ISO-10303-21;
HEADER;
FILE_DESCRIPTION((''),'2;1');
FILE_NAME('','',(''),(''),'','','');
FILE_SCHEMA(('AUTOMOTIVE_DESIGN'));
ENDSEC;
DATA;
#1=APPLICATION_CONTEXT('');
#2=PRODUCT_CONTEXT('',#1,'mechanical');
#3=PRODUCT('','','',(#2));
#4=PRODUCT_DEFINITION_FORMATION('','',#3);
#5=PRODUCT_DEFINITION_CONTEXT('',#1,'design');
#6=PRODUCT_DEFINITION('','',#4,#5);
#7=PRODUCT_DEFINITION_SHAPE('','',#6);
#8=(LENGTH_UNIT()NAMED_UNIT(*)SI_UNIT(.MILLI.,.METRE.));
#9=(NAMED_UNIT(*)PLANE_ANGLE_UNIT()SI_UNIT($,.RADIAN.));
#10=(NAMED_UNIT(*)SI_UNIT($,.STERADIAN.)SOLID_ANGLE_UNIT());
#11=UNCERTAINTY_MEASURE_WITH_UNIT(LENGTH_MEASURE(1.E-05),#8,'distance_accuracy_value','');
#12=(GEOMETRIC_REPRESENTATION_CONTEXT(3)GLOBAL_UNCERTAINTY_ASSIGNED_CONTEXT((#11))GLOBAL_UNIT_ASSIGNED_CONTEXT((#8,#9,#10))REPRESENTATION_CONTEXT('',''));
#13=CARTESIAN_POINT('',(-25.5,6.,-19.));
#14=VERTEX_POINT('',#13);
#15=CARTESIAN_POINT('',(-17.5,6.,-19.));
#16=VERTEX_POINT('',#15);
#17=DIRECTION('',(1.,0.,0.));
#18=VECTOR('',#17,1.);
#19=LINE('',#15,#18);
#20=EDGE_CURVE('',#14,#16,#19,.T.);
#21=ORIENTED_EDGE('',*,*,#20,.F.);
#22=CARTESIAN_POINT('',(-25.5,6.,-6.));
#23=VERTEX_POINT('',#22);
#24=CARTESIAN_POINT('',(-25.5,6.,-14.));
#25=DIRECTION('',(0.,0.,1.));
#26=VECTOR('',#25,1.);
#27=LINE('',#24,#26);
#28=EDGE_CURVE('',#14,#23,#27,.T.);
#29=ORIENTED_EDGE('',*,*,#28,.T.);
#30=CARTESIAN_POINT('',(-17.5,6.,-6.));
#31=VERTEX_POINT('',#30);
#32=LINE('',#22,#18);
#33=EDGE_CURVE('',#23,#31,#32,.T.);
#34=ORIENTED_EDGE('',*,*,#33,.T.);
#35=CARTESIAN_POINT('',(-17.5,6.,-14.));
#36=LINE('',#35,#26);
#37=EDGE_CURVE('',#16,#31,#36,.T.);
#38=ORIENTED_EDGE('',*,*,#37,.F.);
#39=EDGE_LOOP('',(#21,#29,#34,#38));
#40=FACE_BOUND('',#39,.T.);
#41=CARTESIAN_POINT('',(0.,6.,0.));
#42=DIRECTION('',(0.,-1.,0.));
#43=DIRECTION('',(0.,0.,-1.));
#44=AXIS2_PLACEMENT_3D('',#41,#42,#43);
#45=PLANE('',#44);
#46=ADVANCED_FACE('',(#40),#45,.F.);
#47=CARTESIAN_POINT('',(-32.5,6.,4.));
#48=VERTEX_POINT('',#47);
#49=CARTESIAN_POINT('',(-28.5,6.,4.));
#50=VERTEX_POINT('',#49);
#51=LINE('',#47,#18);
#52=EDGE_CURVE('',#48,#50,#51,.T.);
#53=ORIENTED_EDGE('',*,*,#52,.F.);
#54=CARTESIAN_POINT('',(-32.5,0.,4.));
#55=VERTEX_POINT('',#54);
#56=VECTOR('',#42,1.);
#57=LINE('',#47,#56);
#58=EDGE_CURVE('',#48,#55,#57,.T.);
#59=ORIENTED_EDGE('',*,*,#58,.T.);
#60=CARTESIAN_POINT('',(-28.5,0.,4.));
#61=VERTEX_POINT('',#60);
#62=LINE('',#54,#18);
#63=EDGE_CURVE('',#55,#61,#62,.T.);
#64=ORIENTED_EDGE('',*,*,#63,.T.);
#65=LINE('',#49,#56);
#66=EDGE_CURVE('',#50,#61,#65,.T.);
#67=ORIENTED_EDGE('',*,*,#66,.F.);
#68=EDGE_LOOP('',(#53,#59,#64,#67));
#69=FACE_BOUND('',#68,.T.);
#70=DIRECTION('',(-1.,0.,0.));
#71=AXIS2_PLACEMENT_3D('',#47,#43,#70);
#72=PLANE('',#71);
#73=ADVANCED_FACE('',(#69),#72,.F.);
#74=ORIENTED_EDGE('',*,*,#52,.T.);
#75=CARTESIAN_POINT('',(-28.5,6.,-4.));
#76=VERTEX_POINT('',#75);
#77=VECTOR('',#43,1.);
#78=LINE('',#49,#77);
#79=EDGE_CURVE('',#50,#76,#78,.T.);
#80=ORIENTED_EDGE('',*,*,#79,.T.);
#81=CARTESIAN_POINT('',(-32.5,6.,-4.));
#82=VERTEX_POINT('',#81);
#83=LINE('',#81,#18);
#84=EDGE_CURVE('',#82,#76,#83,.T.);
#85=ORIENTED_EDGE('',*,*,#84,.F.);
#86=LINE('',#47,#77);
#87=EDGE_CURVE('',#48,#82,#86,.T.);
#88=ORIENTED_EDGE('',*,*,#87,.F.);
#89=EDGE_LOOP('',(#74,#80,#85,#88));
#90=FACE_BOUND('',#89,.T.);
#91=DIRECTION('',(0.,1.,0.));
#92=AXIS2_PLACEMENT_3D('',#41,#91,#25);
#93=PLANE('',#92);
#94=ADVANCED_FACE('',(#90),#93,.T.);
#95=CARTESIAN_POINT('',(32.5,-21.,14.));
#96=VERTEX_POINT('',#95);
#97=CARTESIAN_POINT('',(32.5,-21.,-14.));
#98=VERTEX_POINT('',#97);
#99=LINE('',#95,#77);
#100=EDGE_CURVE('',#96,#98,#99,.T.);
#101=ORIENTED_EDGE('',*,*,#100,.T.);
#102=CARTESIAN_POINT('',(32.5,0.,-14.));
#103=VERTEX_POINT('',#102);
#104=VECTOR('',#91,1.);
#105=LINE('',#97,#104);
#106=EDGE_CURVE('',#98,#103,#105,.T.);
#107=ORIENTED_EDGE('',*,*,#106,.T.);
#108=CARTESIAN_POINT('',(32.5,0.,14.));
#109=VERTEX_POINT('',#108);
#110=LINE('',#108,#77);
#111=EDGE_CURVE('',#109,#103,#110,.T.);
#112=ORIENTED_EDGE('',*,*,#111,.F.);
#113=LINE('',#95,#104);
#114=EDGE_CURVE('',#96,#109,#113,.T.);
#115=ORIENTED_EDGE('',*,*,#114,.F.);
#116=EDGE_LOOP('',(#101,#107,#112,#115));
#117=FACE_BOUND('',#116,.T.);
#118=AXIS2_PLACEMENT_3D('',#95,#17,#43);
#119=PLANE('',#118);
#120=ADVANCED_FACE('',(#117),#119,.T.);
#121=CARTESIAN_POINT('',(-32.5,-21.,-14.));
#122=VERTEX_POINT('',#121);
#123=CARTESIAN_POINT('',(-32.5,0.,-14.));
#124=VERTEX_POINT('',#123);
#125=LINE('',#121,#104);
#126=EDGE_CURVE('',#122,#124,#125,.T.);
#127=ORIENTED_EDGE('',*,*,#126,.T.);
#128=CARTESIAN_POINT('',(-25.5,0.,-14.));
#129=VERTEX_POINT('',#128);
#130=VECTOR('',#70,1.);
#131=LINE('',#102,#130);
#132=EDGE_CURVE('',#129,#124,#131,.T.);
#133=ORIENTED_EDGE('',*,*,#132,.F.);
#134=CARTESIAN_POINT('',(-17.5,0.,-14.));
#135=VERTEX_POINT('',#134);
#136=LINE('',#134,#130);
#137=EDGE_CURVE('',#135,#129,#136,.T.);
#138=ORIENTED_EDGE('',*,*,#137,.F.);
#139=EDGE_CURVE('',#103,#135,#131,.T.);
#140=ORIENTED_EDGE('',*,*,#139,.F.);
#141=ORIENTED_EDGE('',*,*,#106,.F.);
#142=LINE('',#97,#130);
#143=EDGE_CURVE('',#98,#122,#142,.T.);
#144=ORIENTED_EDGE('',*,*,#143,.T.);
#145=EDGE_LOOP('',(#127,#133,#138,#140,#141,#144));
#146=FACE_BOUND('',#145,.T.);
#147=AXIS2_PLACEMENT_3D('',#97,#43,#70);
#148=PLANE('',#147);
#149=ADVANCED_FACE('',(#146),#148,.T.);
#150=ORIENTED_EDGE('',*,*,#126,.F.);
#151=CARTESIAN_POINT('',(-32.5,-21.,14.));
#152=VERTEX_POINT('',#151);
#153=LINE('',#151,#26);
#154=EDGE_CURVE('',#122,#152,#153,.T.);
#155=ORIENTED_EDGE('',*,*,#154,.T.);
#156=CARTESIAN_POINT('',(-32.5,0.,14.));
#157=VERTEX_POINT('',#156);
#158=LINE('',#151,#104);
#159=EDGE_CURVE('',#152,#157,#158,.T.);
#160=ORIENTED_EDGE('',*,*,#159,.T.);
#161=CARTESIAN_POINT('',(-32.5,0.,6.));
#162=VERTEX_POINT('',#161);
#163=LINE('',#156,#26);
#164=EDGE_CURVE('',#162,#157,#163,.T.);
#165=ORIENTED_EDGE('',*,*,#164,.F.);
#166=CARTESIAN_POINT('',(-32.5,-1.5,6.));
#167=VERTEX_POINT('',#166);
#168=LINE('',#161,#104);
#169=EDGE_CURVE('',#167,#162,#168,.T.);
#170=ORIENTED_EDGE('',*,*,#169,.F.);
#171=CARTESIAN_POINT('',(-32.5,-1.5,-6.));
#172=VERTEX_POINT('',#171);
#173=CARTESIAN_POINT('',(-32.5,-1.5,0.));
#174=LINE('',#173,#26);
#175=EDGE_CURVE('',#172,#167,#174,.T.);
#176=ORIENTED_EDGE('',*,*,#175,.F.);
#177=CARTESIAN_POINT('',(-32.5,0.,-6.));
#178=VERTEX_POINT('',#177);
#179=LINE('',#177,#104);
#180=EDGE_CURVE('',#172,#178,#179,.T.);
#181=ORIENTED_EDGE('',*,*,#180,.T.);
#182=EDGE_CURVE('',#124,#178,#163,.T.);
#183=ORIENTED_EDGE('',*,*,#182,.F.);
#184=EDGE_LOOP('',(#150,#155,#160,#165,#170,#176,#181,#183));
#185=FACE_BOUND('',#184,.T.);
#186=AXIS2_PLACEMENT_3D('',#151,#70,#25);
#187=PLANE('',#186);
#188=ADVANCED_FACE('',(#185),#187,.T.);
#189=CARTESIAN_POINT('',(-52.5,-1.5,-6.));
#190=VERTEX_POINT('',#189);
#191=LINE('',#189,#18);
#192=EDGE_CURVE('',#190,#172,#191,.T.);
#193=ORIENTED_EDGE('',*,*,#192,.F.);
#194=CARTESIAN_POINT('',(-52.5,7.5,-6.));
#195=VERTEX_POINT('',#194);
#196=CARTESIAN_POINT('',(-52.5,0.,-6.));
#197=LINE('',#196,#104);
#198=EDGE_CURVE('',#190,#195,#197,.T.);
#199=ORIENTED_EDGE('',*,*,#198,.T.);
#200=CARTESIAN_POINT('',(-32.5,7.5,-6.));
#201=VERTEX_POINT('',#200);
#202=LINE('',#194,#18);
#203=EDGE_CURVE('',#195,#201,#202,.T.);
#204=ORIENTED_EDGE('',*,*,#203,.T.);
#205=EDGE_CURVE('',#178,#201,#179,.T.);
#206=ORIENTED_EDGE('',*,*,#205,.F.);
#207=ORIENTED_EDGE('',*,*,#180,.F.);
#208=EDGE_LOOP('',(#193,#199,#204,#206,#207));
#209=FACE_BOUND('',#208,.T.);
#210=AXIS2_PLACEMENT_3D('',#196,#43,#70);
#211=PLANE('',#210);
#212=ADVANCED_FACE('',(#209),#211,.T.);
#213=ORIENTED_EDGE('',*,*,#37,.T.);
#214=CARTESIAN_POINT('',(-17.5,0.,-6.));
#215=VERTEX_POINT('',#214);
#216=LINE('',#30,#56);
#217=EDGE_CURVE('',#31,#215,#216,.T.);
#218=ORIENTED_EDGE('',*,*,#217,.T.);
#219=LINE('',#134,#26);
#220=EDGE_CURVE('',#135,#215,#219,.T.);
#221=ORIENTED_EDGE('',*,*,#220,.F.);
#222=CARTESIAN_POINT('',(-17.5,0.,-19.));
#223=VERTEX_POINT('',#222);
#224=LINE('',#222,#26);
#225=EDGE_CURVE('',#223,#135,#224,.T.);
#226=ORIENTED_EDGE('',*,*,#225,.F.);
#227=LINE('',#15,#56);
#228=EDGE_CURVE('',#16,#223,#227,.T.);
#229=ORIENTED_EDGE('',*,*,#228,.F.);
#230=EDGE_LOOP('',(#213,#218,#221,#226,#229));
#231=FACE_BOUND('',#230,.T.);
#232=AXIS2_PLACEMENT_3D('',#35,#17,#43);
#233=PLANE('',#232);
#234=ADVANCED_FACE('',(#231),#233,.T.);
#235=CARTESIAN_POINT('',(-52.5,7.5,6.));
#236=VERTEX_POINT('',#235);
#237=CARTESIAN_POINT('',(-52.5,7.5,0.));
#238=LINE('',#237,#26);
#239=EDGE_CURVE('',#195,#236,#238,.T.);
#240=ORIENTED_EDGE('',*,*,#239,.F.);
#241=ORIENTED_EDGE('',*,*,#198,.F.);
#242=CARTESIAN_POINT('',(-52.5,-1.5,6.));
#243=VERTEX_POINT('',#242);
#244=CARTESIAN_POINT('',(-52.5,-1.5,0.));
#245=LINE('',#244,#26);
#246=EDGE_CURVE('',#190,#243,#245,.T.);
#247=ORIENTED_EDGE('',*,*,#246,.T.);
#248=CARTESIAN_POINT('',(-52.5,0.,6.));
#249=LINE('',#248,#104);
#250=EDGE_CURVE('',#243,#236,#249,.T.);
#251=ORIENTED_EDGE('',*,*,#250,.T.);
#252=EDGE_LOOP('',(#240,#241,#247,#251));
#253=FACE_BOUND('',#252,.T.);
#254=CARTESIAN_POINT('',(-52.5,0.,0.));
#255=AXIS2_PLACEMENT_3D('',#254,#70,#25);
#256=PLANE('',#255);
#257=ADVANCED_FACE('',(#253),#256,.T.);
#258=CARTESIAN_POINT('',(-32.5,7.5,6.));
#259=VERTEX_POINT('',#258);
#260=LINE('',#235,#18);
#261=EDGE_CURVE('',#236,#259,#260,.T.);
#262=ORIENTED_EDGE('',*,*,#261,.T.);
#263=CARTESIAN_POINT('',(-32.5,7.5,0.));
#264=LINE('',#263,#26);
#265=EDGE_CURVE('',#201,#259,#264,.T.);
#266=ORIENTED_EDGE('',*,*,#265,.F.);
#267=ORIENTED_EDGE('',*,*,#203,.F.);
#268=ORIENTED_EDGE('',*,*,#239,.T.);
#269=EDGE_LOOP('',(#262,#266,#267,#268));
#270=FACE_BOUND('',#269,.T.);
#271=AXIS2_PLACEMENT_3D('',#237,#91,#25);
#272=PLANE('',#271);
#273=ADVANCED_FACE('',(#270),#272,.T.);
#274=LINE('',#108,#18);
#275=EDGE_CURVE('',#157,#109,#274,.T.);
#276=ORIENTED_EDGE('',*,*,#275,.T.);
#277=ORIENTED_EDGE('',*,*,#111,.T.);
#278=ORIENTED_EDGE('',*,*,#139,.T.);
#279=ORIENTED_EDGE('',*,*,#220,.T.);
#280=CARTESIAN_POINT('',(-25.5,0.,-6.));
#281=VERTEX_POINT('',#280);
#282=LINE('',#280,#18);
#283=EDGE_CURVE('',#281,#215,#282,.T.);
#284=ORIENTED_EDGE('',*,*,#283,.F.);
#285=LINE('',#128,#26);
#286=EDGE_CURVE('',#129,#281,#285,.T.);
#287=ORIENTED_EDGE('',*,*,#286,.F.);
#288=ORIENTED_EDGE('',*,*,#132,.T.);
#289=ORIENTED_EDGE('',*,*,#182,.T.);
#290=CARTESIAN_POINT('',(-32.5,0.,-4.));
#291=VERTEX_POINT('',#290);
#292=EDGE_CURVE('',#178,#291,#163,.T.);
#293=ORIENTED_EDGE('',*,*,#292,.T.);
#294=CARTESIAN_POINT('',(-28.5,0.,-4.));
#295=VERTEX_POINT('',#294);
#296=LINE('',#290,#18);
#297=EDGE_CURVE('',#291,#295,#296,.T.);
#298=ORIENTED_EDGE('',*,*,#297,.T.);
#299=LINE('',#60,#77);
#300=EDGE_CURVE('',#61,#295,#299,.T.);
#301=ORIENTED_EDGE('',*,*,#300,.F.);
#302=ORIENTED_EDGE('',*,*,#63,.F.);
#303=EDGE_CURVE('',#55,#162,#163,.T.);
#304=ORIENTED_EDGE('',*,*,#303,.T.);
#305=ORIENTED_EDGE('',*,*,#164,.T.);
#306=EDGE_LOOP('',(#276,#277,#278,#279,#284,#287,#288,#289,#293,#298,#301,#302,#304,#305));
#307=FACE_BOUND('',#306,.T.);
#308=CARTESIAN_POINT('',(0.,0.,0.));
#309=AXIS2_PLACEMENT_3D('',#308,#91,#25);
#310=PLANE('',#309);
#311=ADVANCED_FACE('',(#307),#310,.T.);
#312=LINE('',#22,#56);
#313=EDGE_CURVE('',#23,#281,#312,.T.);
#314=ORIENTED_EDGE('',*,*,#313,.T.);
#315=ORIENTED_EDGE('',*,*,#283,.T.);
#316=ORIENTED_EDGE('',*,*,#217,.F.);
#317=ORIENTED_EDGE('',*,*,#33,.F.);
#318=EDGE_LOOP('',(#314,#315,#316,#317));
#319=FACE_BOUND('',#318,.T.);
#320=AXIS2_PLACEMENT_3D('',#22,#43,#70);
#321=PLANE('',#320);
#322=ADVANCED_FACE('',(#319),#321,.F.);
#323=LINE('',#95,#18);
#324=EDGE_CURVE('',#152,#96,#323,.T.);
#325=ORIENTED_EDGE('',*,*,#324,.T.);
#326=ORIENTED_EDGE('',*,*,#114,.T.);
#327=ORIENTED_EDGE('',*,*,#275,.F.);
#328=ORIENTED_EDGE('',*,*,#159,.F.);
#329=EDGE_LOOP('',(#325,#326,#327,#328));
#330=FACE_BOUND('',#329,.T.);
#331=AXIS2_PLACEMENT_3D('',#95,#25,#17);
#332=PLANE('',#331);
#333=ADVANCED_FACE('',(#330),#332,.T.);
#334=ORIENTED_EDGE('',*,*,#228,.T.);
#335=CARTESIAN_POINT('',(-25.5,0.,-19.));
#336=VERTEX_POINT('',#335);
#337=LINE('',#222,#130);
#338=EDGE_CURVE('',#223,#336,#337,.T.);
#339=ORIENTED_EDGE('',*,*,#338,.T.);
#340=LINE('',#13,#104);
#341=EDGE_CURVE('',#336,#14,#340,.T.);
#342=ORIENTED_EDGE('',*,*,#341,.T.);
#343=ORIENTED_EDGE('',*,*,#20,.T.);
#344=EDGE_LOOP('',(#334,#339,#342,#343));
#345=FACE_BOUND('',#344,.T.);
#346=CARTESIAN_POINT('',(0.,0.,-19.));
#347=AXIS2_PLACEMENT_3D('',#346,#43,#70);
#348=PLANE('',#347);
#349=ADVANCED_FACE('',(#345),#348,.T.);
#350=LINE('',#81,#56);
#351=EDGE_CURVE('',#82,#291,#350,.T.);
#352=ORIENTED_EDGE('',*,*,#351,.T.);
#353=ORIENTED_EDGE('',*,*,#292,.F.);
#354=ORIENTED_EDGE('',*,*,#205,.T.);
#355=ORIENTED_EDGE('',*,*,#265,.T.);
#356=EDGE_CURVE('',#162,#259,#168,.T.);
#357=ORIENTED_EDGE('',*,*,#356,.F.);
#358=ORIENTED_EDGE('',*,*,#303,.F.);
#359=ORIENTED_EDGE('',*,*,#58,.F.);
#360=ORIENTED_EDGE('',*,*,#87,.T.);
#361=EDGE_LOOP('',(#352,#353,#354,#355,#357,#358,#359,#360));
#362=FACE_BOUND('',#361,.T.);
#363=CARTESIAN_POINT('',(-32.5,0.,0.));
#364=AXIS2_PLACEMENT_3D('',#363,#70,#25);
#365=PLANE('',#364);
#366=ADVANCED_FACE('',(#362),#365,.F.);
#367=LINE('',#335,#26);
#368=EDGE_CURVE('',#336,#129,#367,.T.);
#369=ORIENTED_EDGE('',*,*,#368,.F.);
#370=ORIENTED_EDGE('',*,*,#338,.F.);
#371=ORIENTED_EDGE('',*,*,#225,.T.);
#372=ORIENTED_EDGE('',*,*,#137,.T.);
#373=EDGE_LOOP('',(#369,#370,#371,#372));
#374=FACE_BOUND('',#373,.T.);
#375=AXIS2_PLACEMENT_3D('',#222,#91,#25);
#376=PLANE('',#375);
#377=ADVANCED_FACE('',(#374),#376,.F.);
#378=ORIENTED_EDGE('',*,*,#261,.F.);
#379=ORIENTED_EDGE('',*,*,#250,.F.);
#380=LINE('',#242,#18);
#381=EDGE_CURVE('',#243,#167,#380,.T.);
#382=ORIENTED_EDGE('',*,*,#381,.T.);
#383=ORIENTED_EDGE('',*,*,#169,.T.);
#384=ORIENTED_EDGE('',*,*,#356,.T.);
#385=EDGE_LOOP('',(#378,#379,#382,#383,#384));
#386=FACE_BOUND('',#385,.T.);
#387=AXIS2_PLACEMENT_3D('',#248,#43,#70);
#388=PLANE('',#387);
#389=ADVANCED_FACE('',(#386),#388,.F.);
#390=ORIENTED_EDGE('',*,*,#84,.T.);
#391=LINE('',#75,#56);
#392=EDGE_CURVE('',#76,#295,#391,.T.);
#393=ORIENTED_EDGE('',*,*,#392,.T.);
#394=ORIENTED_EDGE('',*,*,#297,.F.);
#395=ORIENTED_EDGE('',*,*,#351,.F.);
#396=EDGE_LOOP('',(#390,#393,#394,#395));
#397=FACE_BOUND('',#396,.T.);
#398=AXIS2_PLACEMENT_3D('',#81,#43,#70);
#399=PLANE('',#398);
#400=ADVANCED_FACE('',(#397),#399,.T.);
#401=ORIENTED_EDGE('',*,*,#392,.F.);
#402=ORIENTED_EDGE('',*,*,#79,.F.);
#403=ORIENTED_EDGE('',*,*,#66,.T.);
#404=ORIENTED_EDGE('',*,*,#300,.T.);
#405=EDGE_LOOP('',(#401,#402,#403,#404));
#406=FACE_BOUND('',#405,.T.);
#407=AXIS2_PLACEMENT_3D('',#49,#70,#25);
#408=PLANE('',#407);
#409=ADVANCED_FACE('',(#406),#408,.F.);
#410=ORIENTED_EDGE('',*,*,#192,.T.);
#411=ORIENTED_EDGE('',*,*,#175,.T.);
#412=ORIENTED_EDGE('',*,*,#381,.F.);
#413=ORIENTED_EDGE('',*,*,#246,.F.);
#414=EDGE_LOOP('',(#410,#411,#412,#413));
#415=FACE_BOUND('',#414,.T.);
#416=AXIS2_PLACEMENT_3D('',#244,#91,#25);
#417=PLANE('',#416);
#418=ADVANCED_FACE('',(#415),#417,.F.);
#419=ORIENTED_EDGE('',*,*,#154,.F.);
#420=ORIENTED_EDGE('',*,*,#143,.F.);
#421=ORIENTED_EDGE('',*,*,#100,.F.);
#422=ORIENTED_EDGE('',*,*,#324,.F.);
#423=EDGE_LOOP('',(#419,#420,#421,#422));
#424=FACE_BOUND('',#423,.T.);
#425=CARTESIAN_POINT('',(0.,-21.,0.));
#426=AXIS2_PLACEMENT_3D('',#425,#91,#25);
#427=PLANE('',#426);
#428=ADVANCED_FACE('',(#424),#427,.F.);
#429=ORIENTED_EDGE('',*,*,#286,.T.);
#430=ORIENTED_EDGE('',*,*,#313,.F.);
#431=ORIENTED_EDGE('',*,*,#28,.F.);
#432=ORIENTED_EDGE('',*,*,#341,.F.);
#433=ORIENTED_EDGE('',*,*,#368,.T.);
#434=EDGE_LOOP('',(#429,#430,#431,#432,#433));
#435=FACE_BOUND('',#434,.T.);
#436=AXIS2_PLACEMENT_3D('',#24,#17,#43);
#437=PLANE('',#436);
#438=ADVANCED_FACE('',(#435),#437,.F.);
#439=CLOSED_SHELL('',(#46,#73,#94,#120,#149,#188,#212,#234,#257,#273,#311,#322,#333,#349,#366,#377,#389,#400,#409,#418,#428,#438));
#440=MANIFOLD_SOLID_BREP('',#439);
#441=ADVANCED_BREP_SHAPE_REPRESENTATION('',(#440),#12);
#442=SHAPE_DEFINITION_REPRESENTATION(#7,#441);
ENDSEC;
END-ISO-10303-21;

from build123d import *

# Parameters (mm, degrees)
SKETCH1_W           = 65
SKETCH1_H           = 28
BOSS_EXTRUDE1_DEPTH = 21
SKETCH3_W           = 4
SKETCH3_H           = 8
BOSS_EXTRUDE2_DEPTH = 6
SKETCH3_3_W         = 8
SKETCH3_3_H         = 8
BOSS_EXTRUDE3_DEPTH = 6
SKETCH4_W           = 12
SKETCH4_H           = 9
BOSS_EXTRUDE4_DEPTH = 20
SKETCH5_W           = 8
SKETCH5_H           = 6
BOSS_EXTRUDE5_DEPTH = 5


with BuildPart() as part:
    # Sketch1 → Boss-Extrude1 (new body)
    with BuildSketch(Plane(origin=(0, 0, 0), x_dir=(1, 0, 0), z_dir=(0, 1, 0))):
        Rectangle(SKETCH1_W, SKETCH1_H)
    extrude(amount=-BOSS_EXTRUDE1_DEPTH)

    # Sketch3 → Boss-Extrude2 (add)
    with BuildSketch(Plane(origin=(0, 0, 0), x_dir=(1, 0, 0), z_dir=(0, 1, 0))):
        with Locations((-30.5, 0)):
            Rectangle(SKETCH3_W, SKETCH3_H)
    extrude(amount=BOSS_EXTRUDE2_DEPTH)

    # Sketch3<3> → Boss-Extrude3 (add)
    with BuildSketch(Plane(origin=(0, 0, 0), x_dir=(1, 0, 0), z_dir=(0, 1, 0))):
        with Locations((-21.5, 10)):
            Rectangle(SKETCH3_3_W, SKETCH3_3_H)
    extrude(amount=BOSS_EXTRUDE3_DEPTH)

    # Sketch4 → Boss-Extrude4 (add)
    with BuildSketch(Plane.ZY.offset(32.5)):
        with Locations((0, 3)):
            Rectangle(SKETCH4_W, SKETCH4_H)
    extrude(amount=BOSS_EXTRUDE4_DEPTH)

    # Sketch5 → Boss-Extrude5 (add)
    with BuildSketch(Plane(origin=(0, 0, -14), x_dir=(-1, 0, 0), z_dir=(0, 0, -1))):
        with Locations((21.5, 3)):
            Rectangle(SKETCH5_W, SKETCH5_H)
    extrude(amount=BOSS_EXTRUDE5_DEPTH)


solid = part.part
